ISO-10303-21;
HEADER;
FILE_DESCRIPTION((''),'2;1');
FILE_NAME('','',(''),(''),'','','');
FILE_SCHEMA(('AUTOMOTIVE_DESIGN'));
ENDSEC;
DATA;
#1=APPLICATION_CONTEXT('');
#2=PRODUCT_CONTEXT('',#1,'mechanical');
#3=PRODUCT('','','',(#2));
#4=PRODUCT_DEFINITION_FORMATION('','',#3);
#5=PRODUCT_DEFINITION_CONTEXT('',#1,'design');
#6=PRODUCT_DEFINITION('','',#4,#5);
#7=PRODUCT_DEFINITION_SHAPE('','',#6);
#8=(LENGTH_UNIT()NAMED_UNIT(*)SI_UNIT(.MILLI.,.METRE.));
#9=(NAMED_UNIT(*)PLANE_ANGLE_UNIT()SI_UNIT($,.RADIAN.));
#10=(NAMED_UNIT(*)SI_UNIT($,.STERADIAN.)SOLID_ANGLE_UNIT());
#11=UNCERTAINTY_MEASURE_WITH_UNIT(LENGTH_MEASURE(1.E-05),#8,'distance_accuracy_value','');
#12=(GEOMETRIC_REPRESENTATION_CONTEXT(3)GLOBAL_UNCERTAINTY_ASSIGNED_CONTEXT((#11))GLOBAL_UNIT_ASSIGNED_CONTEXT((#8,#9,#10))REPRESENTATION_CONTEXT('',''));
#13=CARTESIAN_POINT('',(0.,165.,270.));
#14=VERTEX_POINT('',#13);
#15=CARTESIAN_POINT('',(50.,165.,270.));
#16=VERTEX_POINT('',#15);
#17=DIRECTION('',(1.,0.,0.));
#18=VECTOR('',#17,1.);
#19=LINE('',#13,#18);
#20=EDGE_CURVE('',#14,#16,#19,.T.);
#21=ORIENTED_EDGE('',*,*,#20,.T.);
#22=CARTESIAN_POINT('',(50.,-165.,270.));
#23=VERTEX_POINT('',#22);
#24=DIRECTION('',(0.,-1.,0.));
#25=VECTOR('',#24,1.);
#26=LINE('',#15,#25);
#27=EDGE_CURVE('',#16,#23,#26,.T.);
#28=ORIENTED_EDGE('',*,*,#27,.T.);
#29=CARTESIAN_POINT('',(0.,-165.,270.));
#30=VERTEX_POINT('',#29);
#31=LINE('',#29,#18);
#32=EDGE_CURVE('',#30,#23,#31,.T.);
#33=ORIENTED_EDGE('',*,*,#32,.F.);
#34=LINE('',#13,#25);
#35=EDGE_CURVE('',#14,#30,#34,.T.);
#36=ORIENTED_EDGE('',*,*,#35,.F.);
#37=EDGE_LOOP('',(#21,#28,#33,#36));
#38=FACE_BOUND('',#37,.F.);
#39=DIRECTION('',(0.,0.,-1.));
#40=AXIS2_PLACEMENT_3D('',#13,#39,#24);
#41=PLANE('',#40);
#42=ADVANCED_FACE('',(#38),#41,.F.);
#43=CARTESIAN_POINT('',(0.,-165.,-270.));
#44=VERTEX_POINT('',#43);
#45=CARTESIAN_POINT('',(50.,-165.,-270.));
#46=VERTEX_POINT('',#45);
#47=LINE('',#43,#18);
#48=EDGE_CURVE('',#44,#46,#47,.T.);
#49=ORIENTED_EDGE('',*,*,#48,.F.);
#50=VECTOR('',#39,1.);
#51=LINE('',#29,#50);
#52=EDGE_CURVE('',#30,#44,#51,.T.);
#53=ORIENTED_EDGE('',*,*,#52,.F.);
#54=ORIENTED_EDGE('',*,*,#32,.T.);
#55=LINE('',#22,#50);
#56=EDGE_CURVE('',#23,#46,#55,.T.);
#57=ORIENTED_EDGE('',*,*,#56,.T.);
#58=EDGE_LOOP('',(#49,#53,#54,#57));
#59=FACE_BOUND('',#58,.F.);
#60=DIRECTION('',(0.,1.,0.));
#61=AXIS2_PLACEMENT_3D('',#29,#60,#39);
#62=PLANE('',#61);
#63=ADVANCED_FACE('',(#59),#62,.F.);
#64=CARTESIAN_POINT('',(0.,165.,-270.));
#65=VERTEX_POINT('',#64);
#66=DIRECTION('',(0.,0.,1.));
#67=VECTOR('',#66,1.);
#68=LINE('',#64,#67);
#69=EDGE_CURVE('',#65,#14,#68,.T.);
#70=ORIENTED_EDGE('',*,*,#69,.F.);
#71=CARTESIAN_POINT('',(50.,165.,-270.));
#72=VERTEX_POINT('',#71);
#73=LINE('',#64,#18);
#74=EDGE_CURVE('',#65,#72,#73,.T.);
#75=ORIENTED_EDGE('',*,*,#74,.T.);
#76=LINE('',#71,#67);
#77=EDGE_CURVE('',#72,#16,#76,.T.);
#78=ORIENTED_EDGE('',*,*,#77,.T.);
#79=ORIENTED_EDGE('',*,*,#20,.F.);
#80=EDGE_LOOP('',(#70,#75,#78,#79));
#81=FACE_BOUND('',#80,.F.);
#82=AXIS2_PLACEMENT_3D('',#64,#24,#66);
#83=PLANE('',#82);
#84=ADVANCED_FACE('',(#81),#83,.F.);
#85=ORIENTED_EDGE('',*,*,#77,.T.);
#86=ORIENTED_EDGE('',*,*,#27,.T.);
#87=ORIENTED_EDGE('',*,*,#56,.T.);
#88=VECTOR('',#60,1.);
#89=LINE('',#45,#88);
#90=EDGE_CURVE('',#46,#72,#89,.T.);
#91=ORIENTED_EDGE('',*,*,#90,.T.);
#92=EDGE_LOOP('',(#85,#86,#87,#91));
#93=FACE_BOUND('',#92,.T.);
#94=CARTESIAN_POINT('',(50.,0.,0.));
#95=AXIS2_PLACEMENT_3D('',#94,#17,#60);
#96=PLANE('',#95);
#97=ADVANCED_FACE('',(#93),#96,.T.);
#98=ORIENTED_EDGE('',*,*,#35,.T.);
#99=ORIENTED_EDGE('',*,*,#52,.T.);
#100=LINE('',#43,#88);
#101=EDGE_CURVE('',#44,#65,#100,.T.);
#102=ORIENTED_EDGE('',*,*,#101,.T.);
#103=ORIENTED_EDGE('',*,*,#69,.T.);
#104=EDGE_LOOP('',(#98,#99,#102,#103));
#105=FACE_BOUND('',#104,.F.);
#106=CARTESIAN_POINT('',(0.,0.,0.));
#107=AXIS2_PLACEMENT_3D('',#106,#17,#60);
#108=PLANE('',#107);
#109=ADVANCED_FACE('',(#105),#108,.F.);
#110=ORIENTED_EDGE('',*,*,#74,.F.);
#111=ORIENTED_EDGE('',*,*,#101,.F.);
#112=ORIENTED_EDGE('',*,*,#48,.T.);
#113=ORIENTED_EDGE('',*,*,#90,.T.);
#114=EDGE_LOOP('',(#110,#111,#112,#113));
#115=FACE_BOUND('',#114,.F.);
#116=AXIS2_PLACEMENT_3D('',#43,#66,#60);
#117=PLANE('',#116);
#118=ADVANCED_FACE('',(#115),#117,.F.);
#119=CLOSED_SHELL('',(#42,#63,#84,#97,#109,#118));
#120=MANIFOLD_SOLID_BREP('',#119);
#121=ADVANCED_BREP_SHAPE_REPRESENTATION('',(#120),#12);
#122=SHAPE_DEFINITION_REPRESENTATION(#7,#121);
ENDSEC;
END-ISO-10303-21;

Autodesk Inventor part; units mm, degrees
ref_plane "YZ Plane" through (0, 0, 0) normal (1, 0, 0) x (0, 1, 0)
ref_plane "XZ Plane" through (0, 0, 0) normal (0, 1, 0) x (-1, 0, 0)
ref_plane "XY Plane" through (0, 0, 0) normal (0, 0, 1) x (1, 0, 0)
sketch "Sketch1" plane through (0, 0, 0) normal (1, 0, 0) x (0, 1, 0)
  line L0 (165, 270) -> (-165, 270)
  line L1 (-165, 270) -> (-165, -270)
  line L2 (-165, -270) -> (165, -270)
  line L3 (165, -270) -> (165, 270)
  line L4 (165, 270) -> (-165, -270) construction
  line L5 (-165, 270) -> (165, -270) construction
  point P0 (0, 0)
  dimension "d0" = 330
  dimension "d1" = 540
extrude "Extrusion1" add sketch "Sketch1" along normal blind 50
properties part number "PANTALLA"
